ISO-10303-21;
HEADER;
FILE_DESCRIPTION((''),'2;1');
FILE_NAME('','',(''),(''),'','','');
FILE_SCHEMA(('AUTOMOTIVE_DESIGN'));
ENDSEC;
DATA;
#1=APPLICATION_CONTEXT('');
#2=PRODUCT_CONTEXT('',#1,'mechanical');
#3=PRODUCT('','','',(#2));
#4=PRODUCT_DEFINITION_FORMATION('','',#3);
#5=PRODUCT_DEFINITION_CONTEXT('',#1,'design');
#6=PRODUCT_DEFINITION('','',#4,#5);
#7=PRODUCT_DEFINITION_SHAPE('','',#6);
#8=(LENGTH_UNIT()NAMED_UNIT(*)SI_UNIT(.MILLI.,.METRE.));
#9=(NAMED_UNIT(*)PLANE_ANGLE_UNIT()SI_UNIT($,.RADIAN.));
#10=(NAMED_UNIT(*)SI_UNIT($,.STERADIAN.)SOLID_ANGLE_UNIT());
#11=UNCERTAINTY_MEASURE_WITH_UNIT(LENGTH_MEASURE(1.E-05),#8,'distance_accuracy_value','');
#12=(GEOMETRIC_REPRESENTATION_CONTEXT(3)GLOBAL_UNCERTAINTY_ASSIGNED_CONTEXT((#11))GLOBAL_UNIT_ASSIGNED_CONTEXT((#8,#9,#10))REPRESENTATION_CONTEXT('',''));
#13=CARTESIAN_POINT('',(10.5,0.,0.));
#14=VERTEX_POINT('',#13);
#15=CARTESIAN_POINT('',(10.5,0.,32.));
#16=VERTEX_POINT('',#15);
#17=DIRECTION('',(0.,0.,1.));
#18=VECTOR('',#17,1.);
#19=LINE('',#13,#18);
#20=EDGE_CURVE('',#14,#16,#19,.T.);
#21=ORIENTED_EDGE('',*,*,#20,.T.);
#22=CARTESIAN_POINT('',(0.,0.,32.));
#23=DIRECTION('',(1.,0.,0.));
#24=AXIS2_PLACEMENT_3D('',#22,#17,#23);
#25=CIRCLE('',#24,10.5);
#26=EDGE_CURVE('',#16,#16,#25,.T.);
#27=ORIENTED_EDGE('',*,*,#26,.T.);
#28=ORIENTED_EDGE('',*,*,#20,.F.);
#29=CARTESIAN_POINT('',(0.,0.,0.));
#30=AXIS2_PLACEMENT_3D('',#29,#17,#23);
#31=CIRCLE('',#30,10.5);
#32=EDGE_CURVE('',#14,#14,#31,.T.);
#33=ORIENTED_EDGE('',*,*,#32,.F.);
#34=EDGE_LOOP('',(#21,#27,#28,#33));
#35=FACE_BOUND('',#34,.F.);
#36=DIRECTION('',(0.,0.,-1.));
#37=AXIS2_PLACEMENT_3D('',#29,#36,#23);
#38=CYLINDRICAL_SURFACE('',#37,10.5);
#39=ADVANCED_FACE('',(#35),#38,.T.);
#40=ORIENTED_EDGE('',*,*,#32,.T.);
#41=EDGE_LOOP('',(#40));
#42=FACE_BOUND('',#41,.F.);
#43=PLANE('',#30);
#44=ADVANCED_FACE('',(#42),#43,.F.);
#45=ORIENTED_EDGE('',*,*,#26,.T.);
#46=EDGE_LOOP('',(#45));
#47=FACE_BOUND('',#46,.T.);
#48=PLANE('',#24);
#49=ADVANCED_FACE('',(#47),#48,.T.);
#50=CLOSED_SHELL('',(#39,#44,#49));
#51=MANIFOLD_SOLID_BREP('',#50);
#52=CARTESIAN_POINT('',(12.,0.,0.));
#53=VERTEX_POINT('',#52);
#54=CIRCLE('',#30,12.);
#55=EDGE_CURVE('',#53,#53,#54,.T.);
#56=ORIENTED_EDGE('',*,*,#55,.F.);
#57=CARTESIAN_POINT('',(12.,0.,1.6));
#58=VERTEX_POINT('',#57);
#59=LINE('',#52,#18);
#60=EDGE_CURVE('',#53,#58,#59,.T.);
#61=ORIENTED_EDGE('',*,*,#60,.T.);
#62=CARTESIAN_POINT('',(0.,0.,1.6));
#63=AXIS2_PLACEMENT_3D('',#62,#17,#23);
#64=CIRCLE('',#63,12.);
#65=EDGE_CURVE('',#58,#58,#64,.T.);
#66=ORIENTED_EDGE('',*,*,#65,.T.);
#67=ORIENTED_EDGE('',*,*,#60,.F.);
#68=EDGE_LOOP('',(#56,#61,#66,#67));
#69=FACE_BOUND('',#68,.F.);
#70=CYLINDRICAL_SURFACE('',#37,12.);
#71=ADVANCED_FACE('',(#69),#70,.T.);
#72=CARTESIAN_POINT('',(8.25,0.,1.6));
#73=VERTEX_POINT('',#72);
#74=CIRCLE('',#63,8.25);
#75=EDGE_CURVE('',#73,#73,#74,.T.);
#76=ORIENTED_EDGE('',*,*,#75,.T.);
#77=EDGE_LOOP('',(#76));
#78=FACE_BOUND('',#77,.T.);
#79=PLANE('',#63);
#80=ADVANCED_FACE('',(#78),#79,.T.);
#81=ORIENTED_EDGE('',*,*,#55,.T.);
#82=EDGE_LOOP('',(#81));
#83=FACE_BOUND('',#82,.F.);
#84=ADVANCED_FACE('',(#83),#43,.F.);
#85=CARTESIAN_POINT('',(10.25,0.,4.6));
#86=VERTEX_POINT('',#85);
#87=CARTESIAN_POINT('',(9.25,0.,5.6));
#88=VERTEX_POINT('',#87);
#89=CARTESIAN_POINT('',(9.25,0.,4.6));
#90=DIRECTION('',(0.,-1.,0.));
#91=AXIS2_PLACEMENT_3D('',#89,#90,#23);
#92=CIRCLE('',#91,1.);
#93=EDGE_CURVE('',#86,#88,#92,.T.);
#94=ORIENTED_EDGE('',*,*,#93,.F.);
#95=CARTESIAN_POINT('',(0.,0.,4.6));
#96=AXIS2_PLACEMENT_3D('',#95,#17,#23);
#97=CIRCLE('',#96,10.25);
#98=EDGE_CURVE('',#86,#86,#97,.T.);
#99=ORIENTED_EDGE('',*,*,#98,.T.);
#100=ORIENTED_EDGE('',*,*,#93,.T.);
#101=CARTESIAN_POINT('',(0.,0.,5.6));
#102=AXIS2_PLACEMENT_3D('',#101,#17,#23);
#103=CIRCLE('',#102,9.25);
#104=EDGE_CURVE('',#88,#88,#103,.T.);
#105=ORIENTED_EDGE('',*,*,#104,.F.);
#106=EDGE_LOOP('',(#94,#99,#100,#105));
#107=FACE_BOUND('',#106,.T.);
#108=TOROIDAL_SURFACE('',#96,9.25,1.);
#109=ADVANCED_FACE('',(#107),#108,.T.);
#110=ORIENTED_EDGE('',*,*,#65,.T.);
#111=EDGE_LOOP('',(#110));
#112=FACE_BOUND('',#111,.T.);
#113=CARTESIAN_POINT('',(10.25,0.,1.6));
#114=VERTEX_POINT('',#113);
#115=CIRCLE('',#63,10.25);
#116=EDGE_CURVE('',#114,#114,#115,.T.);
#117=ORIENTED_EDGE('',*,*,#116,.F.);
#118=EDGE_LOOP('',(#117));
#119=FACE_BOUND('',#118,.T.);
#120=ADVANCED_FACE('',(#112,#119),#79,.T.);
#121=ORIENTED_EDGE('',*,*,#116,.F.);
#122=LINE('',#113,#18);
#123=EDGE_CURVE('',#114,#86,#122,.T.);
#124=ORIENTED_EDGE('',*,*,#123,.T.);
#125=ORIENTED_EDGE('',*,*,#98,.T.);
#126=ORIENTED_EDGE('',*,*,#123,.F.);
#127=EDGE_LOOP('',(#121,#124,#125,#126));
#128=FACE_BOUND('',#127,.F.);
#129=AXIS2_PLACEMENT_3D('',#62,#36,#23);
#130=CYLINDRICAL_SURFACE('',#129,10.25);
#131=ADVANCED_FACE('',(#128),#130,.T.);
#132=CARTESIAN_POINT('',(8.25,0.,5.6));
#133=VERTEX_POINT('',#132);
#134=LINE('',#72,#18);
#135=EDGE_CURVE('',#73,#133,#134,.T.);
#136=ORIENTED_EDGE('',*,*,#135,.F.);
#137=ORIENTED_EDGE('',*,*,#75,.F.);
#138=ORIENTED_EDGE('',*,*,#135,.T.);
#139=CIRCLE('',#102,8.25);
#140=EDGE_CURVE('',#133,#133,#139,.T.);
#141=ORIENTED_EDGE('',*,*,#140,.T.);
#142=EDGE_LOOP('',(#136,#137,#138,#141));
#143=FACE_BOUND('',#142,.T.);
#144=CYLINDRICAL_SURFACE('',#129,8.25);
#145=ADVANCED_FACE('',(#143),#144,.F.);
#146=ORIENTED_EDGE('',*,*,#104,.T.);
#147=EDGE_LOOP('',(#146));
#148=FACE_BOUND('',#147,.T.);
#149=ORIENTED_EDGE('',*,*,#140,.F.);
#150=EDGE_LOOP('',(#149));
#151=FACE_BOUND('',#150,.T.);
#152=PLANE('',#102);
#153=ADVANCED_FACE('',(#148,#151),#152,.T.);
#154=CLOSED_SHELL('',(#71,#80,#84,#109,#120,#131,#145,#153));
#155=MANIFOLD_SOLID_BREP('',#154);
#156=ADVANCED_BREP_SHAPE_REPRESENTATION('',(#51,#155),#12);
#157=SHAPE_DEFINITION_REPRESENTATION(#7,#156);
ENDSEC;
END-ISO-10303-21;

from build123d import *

# Parameters (mm, degrees)
CYLINDER_R        = 10.5
CYLINDER_DEPTH    = 32
CYLINDER001_R     = 12
CYLINDER001_DEPTH = 1.6
SKETCH_R          = 10.25
SKETCH_R_2        = 8.25
PAD_DEPTH         = 4
FILLET_R          = 1


with BuildPart() as body:
    # Cylinder → Cylinder (join)
    with BuildSketch(Plane.XY):
        Circle(CYLINDER_R)
    extrude(amount=CYLINDER_DEPTH)


with BuildPart() as body001:
    # Cylinder001 → Cylinder001 (join)
    with BuildSketch(Plane.XY):
        Circle(CYLINDER001_R)
    extrude(amount=CYLINDER001_DEPTH)

    # Sketch → Pad (join)
    with BuildSketch(Plane.XY.offset(1.6)):
        Circle(SKETCH_R)
        Circle(SKETCH_R_2, mode=Mode.SUBTRACT)
    extrude(amount=PAD_DEPTH)

    # Fillet
    fillet_edges = [body001.edges().sort_by_distance(p)[0] for p in [
        (-10.25, 0, 5.6),
    ]]
    fillet(fillet_edges, radius=FILLET_R)


solid = Compound([body.part, body001.part])
